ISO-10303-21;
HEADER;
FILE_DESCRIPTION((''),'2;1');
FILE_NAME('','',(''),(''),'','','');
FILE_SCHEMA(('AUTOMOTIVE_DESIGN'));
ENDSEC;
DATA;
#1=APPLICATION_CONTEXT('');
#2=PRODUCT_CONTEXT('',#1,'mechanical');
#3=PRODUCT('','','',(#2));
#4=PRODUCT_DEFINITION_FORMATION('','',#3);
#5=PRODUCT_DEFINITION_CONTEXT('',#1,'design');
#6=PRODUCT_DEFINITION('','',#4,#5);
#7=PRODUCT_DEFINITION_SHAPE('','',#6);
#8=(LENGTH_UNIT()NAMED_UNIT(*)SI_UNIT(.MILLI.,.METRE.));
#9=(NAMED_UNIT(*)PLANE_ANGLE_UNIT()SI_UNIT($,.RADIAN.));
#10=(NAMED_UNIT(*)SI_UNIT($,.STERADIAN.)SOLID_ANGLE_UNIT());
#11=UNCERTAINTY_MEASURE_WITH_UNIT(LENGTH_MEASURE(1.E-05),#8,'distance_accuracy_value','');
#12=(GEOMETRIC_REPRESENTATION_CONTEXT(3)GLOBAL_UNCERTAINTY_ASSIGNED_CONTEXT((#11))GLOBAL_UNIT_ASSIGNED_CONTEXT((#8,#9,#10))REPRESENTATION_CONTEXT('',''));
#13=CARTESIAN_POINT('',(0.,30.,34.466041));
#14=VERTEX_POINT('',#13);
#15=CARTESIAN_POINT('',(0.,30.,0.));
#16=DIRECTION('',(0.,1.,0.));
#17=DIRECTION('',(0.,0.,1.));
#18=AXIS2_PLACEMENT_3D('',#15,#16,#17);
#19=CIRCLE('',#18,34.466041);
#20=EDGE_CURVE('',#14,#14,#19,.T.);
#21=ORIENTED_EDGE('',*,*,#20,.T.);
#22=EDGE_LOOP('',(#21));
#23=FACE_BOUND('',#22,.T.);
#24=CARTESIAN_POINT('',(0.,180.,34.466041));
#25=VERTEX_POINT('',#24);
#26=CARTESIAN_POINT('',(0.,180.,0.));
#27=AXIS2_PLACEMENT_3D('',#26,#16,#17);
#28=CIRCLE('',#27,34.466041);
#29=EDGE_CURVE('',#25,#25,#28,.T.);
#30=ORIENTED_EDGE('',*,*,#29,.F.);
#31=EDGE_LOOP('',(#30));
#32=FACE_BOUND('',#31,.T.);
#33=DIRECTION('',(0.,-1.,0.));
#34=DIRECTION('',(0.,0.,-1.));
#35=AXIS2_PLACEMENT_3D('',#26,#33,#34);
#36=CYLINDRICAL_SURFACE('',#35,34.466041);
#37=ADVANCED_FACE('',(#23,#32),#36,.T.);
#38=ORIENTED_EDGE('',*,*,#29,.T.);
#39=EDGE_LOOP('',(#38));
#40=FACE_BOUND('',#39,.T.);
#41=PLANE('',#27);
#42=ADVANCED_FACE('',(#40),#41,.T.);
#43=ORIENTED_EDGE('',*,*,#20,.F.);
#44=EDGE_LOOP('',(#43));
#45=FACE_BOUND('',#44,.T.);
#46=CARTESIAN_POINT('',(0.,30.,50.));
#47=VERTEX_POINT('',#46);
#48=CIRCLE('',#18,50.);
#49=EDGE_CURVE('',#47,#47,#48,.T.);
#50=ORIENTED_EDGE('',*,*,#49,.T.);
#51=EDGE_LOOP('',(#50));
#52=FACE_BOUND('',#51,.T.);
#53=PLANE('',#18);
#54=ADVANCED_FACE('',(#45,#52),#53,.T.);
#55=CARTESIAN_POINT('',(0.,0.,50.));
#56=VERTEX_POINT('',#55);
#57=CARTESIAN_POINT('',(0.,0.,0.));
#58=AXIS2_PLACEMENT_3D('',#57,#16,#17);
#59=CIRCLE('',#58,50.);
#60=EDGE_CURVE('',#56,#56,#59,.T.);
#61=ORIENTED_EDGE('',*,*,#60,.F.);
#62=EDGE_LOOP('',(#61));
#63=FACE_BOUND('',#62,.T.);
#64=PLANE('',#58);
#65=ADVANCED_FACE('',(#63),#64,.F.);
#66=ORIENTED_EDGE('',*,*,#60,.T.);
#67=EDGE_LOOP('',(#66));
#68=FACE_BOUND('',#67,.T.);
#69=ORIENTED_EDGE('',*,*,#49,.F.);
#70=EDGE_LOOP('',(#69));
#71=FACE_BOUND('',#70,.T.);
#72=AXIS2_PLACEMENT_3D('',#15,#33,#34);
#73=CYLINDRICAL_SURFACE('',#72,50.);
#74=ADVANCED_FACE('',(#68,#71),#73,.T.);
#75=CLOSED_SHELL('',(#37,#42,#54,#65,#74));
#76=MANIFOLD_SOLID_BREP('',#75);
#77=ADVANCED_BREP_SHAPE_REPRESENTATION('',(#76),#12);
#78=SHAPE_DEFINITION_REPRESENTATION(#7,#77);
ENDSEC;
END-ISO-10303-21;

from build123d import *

# Parameters (mm, degrees)
SKETCH1_R           = 50
BOSS_EXTRUDE1_DEPTH = 30
SKETCH2_R           = 34.466040778
BOSS_EXTRUDE2_DEPTH = 150


with BuildPart() as part:
    # Sketch1 → Boss-Extrude1 (new body)
    with BuildSketch(Plane(origin=(0, 0, 0), x_dir=(1, 0, 0), z_dir=(0, 1, 0))):
        with Locations(Location((0, 0, 0), (0, 0, 270))):
            Circle(SKETCH1_R)
    extrude(amount=BOSS_EXTRUDE1_DEPTH)

    # Sketch2 → Boss-Extrude2 (add)
    with BuildSketch(Plane(origin=(0, 30, 0), x_dir=(1, 0, 0), z_dir=(0, 1, 0))):
        with Locations(Location((0, 0, 0), (0, 0, 270))):
            Circle(SKETCH2_R)
    extrude(amount=BOSS_EXTRUDE2_DEPTH)


solid = part.part
